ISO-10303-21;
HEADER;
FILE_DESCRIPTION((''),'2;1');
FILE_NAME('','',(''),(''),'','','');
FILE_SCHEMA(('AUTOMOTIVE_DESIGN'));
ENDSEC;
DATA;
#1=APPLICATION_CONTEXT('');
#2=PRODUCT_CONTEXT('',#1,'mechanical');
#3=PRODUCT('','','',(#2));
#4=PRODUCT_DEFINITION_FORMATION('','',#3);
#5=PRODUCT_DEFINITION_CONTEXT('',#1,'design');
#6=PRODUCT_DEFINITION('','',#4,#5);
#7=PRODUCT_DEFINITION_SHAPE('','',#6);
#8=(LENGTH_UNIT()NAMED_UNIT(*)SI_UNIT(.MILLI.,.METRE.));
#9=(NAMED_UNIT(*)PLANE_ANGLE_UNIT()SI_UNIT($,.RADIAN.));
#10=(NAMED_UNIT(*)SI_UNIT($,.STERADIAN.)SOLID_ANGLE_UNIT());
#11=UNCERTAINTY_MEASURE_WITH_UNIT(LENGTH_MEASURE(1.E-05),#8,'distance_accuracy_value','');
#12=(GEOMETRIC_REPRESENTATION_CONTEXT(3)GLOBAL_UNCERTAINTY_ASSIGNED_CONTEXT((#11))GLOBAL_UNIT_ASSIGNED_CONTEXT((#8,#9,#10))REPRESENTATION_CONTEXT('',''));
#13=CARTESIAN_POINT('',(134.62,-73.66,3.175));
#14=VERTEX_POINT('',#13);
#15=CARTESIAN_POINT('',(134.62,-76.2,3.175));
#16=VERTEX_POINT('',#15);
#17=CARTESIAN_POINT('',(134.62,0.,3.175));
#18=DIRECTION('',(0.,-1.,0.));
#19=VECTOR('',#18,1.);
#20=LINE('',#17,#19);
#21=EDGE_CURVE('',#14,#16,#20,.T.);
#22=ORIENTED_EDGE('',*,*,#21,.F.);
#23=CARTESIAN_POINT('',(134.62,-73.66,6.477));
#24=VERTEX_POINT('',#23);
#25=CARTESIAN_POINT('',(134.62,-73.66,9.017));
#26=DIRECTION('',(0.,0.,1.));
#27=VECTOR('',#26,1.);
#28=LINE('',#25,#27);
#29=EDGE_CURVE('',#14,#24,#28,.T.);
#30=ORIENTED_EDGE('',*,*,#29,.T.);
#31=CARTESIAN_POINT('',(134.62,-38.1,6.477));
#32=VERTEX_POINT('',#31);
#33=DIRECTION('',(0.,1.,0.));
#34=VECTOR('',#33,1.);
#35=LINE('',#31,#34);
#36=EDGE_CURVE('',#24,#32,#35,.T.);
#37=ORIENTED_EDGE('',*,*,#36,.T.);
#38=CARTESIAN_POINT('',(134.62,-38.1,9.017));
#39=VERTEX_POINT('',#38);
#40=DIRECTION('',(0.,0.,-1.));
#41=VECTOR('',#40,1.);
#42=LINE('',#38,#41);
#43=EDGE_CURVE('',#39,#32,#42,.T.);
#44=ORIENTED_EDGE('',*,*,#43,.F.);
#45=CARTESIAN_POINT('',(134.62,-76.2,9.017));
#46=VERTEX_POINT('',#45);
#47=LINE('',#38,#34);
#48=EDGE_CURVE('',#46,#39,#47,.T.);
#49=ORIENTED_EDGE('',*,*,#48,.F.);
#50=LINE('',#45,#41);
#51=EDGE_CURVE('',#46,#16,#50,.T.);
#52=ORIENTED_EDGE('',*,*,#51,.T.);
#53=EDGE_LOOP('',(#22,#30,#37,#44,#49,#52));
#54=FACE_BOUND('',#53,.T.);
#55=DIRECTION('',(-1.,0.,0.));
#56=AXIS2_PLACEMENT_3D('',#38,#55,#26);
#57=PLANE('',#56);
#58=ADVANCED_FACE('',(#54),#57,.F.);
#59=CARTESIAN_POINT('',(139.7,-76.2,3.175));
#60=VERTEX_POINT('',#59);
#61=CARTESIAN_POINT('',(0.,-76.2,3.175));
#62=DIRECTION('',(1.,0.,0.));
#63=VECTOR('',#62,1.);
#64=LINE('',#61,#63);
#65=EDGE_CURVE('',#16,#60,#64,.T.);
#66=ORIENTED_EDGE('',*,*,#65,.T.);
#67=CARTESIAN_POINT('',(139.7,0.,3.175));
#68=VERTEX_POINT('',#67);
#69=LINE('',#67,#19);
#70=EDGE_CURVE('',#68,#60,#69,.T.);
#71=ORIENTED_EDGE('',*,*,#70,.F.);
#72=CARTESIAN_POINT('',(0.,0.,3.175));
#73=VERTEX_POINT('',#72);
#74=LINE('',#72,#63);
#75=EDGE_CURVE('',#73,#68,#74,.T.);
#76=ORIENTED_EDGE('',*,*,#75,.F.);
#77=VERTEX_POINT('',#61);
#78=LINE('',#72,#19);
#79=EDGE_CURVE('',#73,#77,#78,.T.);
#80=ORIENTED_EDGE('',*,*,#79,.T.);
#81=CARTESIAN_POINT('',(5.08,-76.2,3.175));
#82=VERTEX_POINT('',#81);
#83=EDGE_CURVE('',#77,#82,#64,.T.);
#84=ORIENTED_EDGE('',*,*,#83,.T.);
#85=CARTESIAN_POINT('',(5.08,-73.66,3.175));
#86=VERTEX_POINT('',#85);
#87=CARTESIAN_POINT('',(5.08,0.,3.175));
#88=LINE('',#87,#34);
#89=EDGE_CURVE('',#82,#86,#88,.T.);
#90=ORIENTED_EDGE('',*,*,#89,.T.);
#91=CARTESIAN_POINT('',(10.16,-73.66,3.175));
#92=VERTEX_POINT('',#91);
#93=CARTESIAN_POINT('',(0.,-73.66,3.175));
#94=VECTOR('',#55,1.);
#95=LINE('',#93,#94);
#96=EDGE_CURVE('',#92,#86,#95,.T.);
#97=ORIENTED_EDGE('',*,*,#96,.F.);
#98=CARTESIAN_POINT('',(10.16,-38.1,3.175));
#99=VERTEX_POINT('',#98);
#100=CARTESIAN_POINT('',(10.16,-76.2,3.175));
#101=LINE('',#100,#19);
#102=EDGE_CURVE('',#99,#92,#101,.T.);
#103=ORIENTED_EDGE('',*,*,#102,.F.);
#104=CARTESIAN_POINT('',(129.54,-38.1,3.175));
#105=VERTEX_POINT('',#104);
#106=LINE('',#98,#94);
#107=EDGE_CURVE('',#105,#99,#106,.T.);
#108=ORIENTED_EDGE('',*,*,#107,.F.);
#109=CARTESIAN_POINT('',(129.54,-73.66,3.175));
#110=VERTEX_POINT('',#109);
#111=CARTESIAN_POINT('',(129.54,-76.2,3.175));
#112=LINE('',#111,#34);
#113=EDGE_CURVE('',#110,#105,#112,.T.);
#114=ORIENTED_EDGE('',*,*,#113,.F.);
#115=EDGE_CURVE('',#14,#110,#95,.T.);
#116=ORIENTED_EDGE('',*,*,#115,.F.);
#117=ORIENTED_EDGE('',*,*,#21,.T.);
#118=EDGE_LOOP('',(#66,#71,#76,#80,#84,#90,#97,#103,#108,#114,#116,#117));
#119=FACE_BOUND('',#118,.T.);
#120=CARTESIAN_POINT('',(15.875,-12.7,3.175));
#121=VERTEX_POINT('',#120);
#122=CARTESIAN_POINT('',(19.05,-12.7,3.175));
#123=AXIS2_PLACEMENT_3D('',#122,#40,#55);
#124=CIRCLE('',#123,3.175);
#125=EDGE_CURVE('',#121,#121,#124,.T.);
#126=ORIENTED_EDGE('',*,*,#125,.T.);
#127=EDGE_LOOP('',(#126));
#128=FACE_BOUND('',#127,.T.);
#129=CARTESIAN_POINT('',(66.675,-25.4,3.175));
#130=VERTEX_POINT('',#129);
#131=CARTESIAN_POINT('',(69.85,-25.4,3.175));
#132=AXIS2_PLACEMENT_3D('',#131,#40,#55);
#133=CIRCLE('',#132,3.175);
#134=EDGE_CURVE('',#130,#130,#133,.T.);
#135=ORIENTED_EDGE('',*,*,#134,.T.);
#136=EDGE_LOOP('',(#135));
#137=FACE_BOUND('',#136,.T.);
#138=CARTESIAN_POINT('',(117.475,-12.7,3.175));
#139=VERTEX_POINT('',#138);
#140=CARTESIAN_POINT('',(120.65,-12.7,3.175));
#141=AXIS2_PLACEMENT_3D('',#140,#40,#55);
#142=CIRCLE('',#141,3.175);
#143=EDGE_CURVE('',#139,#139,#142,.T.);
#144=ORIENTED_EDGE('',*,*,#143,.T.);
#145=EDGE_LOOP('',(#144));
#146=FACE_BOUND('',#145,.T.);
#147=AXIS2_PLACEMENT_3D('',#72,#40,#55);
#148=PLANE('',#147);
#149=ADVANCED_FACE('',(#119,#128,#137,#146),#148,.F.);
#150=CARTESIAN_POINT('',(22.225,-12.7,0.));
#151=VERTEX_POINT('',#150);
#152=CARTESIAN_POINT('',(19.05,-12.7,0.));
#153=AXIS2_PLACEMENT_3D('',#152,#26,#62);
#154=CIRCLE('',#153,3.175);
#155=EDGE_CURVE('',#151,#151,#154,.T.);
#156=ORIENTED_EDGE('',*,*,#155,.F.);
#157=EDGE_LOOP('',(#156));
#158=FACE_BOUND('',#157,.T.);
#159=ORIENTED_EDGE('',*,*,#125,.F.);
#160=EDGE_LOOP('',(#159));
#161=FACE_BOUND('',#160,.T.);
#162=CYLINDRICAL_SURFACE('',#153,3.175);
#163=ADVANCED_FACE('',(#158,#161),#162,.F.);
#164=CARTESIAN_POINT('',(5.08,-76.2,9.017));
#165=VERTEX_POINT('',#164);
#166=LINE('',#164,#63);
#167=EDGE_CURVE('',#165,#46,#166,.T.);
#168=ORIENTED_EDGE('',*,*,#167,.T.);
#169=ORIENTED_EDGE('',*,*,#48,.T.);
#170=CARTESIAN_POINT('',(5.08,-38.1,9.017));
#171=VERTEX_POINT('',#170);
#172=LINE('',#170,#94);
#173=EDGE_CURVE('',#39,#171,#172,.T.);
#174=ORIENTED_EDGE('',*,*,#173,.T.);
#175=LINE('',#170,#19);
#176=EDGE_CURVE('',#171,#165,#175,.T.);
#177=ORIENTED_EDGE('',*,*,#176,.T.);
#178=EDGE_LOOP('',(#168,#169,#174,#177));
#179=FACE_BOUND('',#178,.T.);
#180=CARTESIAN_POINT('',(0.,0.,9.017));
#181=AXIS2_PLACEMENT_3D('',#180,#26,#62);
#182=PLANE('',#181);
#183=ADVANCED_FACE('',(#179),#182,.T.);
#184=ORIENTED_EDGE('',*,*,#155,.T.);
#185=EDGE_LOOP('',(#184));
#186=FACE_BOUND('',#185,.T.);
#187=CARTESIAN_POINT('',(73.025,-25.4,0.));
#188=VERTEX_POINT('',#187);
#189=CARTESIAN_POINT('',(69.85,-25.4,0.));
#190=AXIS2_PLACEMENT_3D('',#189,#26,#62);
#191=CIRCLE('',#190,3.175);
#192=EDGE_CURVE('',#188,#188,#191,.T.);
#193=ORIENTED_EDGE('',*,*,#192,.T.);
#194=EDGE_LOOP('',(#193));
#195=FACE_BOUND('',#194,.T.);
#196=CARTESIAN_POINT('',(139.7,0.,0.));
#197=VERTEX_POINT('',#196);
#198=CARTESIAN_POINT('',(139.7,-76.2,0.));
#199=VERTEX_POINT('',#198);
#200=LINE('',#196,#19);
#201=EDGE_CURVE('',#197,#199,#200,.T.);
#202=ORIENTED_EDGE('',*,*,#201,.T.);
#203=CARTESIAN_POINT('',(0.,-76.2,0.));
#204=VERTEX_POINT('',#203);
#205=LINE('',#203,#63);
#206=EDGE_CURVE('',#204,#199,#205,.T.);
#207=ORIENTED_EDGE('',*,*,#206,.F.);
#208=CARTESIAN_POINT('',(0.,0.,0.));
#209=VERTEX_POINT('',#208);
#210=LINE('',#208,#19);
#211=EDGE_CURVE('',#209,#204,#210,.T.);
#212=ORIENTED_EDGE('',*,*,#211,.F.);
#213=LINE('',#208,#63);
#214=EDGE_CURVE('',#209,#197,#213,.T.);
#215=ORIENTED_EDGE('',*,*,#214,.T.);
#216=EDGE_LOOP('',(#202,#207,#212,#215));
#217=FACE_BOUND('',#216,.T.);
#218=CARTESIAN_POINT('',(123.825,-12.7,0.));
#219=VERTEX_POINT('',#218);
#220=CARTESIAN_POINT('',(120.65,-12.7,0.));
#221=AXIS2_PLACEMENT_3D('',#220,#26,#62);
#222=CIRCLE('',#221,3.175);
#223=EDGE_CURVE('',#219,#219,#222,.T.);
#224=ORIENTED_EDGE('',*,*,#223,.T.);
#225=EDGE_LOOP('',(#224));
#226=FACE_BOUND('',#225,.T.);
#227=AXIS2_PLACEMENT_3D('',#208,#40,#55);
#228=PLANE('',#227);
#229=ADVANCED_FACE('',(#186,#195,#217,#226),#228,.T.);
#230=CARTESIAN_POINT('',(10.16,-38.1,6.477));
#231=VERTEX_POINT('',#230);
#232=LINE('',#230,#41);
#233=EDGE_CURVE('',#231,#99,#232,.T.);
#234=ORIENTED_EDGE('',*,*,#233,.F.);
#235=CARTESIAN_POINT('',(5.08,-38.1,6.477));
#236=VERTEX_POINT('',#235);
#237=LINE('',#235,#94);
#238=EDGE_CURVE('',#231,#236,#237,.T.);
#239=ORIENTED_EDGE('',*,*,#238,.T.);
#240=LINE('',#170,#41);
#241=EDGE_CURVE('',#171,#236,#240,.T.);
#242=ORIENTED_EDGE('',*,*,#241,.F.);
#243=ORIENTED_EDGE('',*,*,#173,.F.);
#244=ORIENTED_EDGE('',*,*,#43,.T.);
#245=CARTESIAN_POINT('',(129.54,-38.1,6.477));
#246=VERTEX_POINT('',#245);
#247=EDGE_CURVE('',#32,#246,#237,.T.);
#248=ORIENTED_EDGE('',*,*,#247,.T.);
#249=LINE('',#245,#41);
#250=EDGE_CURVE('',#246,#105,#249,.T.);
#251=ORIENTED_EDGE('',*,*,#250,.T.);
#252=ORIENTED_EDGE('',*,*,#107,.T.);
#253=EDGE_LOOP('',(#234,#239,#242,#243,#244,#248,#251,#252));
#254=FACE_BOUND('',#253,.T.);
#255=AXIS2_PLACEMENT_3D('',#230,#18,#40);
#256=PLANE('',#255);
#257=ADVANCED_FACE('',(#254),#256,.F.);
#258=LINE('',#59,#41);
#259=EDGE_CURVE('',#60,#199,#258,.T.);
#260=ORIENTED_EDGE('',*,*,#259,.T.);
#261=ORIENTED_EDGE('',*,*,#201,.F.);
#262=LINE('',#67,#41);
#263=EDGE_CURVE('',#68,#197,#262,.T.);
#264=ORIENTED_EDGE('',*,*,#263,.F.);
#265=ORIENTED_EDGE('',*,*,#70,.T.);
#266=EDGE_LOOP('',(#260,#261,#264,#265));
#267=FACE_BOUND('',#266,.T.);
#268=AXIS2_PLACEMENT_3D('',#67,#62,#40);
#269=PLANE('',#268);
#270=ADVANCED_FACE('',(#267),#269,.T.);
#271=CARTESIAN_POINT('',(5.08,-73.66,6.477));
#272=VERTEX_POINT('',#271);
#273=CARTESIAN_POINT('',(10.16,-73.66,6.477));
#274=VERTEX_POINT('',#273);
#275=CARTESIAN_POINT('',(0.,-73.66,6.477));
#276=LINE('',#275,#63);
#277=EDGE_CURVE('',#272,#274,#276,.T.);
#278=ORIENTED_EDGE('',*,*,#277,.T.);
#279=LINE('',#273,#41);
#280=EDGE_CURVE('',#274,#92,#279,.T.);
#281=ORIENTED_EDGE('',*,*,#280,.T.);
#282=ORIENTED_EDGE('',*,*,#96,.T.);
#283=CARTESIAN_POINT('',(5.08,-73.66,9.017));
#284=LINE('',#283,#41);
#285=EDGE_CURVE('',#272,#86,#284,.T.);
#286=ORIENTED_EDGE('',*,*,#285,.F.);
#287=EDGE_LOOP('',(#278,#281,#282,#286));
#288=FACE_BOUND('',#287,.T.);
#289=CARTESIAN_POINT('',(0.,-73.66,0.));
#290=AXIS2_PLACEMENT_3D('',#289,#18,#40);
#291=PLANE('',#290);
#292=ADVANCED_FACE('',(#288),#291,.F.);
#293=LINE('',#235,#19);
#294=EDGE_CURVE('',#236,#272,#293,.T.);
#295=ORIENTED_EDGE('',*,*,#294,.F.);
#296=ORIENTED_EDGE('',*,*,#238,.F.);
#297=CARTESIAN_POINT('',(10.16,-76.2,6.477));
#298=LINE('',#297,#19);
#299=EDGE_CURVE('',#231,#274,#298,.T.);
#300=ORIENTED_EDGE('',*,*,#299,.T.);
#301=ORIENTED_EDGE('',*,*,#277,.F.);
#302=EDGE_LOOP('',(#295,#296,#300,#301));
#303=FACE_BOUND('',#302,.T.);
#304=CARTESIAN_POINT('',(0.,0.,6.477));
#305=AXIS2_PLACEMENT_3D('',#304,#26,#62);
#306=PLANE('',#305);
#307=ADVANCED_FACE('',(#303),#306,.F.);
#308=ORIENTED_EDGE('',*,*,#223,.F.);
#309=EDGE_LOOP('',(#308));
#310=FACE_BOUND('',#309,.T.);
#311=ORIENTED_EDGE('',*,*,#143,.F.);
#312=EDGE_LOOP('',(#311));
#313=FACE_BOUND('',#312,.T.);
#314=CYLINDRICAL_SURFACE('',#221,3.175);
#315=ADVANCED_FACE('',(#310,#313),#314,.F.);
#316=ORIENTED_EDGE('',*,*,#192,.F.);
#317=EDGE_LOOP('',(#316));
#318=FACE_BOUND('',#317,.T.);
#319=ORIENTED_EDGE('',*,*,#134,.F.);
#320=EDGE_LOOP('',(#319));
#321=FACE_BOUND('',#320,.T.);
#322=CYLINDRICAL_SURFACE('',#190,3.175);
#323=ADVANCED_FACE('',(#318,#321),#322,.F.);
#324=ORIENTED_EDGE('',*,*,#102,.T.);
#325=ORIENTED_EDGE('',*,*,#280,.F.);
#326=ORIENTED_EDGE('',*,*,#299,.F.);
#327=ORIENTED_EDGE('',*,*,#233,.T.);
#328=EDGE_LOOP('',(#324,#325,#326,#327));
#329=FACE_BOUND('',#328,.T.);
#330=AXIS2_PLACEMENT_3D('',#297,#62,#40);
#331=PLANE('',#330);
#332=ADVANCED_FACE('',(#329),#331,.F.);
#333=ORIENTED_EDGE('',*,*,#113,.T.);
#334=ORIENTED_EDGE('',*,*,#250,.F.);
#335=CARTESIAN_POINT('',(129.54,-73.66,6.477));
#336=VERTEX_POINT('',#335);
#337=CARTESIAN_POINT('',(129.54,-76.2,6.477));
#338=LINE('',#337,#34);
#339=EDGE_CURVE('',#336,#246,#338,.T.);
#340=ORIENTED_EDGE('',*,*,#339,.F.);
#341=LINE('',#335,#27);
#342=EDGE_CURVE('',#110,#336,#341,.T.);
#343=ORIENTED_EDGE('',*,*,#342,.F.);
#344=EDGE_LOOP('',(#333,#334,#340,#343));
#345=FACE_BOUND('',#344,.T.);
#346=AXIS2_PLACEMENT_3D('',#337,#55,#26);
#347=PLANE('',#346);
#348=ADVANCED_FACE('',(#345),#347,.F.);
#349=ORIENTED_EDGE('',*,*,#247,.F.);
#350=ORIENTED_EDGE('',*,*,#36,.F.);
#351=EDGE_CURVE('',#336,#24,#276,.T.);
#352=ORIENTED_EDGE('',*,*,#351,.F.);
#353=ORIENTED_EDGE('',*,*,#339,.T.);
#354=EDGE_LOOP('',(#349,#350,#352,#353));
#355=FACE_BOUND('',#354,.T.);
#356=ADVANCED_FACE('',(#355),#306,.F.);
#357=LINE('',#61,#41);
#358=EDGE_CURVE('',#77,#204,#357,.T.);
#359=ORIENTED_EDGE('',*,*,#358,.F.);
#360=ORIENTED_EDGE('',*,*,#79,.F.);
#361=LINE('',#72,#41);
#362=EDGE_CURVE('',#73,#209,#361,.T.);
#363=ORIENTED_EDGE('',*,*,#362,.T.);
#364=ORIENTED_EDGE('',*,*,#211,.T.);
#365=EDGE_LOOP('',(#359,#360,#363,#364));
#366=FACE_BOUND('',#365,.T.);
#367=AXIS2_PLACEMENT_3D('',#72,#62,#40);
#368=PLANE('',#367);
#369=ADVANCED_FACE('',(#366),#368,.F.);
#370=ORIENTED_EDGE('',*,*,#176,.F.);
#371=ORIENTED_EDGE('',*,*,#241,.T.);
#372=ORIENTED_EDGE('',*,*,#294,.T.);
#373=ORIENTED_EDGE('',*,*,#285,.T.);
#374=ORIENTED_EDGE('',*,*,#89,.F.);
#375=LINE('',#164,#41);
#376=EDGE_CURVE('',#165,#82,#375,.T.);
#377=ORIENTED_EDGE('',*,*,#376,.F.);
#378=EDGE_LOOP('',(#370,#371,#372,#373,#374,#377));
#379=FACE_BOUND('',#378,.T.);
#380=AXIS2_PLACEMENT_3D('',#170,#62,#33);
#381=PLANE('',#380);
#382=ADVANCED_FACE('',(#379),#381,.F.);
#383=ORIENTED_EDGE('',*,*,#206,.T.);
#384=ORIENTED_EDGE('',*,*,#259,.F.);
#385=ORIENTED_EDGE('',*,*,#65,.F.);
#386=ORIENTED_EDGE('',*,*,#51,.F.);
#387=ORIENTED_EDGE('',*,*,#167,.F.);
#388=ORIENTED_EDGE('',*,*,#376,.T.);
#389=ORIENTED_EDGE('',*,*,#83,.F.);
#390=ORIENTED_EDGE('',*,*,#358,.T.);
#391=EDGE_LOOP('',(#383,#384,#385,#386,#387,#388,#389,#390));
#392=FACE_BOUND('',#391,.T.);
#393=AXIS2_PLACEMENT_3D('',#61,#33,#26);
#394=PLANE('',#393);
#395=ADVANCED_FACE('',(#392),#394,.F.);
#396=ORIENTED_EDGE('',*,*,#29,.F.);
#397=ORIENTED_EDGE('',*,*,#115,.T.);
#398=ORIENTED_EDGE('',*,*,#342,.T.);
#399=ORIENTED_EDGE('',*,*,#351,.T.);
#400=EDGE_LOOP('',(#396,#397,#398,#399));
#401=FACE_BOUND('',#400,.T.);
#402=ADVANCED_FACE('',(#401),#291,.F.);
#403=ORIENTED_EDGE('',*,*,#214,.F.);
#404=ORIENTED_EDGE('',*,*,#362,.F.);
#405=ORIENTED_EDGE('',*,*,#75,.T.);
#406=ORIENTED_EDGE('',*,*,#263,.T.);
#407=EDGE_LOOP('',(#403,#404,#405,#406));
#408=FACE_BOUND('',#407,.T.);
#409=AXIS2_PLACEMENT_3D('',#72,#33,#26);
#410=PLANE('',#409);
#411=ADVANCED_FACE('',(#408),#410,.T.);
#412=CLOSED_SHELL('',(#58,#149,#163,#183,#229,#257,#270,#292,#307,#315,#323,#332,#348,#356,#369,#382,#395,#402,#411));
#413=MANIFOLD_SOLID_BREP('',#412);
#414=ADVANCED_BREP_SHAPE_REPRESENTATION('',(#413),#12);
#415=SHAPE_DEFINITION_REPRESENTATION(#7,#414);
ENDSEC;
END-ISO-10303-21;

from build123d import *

# Parameters (mm, degrees)
SKETCH3_W               = 139.7
SKETCH3_H               = 76.2
BOSS_EXTRUDE1_DEPTH     = 3.175
SKETCH4_W               = 119.38
SKETCH4_H               = 38.1
BOSS_EXTRUDE2_DEPTH     = 3.302
SKETCH6_W               = 129.54
SKETCH6_H               = 38.1
BOSS_EXTRUDE3_DEPTH     = 2.54
SKETCH7_W               = 129.54
SKETCH7_H               = 9.017
BOSS_EXTRUDE4_DEPTH     = 2.54
CUT_EXTRUDE1_DEPTH      = 160.237743528
CUT_EXTRUDE1_DEPTH_BACK = 160.237743528
SKETCH8_R               = 3.175


with BuildPart() as part:
    # Sketch3 → Boss-Extrude1 (new body)
    with BuildSketch(Plane.XY):
        with Locations((69.85, -38.1)):
            Rectangle(SKETCH3_W, SKETCH3_H)
    extrude(amount=BOSS_EXTRUDE1_DEPTH)

    # Sketch4 → Boss-Extrude2 (add)
    with BuildSketch(Plane.XY.offset(3.175)):
        with Locations((69.85, -57.15)):
            Rectangle(SKETCH4_W, SKETCH4_H)
    extrude(amount=BOSS_EXTRUDE2_DEPTH)

    # Sketch6 → Boss-Extrude3 (add)
    with BuildSketch(Plane.XY.offset(6.477)):
        with Locations((69.85, -57.15)):
            Rectangle(SKETCH6_W, SKETCH6_H)
    extrude(amount=BOSS_EXTRUDE3_DEPTH)

    # Sketch7 → Boss-Extrude4 (add)
    with BuildSketch(Plane.XZ.offset(76.2)):
        with Locations((69.85, 4.5085)):
            Rectangle(SKETCH7_W, SKETCH7_H)
    extrude(amount=-BOSS_EXTRUDE4_DEPTH)

    # Sketch8 → Cut-Extrude1 (cut, two sides: drawn at the far end of the back side and taken through both)
    with BuildSketch(Plane.XY.offset(3.175).offset(-CUT_EXTRUDE1_DEPTH_BACK)):
        with Locations((19.05, -12.7)):
            Circle(SKETCH8_R)
        with Locations((69.85, -25.4)):
            Circle(SKETCH8_R)
        with Locations((120.65, -12.7)):
            Circle(SKETCH8_R)
    extrude(amount=CUT_EXTRUDE1_DEPTH + CUT_EXTRUDE1_DEPTH_BACK, mode=Mode.SUBTRACT)


solid = part.part
